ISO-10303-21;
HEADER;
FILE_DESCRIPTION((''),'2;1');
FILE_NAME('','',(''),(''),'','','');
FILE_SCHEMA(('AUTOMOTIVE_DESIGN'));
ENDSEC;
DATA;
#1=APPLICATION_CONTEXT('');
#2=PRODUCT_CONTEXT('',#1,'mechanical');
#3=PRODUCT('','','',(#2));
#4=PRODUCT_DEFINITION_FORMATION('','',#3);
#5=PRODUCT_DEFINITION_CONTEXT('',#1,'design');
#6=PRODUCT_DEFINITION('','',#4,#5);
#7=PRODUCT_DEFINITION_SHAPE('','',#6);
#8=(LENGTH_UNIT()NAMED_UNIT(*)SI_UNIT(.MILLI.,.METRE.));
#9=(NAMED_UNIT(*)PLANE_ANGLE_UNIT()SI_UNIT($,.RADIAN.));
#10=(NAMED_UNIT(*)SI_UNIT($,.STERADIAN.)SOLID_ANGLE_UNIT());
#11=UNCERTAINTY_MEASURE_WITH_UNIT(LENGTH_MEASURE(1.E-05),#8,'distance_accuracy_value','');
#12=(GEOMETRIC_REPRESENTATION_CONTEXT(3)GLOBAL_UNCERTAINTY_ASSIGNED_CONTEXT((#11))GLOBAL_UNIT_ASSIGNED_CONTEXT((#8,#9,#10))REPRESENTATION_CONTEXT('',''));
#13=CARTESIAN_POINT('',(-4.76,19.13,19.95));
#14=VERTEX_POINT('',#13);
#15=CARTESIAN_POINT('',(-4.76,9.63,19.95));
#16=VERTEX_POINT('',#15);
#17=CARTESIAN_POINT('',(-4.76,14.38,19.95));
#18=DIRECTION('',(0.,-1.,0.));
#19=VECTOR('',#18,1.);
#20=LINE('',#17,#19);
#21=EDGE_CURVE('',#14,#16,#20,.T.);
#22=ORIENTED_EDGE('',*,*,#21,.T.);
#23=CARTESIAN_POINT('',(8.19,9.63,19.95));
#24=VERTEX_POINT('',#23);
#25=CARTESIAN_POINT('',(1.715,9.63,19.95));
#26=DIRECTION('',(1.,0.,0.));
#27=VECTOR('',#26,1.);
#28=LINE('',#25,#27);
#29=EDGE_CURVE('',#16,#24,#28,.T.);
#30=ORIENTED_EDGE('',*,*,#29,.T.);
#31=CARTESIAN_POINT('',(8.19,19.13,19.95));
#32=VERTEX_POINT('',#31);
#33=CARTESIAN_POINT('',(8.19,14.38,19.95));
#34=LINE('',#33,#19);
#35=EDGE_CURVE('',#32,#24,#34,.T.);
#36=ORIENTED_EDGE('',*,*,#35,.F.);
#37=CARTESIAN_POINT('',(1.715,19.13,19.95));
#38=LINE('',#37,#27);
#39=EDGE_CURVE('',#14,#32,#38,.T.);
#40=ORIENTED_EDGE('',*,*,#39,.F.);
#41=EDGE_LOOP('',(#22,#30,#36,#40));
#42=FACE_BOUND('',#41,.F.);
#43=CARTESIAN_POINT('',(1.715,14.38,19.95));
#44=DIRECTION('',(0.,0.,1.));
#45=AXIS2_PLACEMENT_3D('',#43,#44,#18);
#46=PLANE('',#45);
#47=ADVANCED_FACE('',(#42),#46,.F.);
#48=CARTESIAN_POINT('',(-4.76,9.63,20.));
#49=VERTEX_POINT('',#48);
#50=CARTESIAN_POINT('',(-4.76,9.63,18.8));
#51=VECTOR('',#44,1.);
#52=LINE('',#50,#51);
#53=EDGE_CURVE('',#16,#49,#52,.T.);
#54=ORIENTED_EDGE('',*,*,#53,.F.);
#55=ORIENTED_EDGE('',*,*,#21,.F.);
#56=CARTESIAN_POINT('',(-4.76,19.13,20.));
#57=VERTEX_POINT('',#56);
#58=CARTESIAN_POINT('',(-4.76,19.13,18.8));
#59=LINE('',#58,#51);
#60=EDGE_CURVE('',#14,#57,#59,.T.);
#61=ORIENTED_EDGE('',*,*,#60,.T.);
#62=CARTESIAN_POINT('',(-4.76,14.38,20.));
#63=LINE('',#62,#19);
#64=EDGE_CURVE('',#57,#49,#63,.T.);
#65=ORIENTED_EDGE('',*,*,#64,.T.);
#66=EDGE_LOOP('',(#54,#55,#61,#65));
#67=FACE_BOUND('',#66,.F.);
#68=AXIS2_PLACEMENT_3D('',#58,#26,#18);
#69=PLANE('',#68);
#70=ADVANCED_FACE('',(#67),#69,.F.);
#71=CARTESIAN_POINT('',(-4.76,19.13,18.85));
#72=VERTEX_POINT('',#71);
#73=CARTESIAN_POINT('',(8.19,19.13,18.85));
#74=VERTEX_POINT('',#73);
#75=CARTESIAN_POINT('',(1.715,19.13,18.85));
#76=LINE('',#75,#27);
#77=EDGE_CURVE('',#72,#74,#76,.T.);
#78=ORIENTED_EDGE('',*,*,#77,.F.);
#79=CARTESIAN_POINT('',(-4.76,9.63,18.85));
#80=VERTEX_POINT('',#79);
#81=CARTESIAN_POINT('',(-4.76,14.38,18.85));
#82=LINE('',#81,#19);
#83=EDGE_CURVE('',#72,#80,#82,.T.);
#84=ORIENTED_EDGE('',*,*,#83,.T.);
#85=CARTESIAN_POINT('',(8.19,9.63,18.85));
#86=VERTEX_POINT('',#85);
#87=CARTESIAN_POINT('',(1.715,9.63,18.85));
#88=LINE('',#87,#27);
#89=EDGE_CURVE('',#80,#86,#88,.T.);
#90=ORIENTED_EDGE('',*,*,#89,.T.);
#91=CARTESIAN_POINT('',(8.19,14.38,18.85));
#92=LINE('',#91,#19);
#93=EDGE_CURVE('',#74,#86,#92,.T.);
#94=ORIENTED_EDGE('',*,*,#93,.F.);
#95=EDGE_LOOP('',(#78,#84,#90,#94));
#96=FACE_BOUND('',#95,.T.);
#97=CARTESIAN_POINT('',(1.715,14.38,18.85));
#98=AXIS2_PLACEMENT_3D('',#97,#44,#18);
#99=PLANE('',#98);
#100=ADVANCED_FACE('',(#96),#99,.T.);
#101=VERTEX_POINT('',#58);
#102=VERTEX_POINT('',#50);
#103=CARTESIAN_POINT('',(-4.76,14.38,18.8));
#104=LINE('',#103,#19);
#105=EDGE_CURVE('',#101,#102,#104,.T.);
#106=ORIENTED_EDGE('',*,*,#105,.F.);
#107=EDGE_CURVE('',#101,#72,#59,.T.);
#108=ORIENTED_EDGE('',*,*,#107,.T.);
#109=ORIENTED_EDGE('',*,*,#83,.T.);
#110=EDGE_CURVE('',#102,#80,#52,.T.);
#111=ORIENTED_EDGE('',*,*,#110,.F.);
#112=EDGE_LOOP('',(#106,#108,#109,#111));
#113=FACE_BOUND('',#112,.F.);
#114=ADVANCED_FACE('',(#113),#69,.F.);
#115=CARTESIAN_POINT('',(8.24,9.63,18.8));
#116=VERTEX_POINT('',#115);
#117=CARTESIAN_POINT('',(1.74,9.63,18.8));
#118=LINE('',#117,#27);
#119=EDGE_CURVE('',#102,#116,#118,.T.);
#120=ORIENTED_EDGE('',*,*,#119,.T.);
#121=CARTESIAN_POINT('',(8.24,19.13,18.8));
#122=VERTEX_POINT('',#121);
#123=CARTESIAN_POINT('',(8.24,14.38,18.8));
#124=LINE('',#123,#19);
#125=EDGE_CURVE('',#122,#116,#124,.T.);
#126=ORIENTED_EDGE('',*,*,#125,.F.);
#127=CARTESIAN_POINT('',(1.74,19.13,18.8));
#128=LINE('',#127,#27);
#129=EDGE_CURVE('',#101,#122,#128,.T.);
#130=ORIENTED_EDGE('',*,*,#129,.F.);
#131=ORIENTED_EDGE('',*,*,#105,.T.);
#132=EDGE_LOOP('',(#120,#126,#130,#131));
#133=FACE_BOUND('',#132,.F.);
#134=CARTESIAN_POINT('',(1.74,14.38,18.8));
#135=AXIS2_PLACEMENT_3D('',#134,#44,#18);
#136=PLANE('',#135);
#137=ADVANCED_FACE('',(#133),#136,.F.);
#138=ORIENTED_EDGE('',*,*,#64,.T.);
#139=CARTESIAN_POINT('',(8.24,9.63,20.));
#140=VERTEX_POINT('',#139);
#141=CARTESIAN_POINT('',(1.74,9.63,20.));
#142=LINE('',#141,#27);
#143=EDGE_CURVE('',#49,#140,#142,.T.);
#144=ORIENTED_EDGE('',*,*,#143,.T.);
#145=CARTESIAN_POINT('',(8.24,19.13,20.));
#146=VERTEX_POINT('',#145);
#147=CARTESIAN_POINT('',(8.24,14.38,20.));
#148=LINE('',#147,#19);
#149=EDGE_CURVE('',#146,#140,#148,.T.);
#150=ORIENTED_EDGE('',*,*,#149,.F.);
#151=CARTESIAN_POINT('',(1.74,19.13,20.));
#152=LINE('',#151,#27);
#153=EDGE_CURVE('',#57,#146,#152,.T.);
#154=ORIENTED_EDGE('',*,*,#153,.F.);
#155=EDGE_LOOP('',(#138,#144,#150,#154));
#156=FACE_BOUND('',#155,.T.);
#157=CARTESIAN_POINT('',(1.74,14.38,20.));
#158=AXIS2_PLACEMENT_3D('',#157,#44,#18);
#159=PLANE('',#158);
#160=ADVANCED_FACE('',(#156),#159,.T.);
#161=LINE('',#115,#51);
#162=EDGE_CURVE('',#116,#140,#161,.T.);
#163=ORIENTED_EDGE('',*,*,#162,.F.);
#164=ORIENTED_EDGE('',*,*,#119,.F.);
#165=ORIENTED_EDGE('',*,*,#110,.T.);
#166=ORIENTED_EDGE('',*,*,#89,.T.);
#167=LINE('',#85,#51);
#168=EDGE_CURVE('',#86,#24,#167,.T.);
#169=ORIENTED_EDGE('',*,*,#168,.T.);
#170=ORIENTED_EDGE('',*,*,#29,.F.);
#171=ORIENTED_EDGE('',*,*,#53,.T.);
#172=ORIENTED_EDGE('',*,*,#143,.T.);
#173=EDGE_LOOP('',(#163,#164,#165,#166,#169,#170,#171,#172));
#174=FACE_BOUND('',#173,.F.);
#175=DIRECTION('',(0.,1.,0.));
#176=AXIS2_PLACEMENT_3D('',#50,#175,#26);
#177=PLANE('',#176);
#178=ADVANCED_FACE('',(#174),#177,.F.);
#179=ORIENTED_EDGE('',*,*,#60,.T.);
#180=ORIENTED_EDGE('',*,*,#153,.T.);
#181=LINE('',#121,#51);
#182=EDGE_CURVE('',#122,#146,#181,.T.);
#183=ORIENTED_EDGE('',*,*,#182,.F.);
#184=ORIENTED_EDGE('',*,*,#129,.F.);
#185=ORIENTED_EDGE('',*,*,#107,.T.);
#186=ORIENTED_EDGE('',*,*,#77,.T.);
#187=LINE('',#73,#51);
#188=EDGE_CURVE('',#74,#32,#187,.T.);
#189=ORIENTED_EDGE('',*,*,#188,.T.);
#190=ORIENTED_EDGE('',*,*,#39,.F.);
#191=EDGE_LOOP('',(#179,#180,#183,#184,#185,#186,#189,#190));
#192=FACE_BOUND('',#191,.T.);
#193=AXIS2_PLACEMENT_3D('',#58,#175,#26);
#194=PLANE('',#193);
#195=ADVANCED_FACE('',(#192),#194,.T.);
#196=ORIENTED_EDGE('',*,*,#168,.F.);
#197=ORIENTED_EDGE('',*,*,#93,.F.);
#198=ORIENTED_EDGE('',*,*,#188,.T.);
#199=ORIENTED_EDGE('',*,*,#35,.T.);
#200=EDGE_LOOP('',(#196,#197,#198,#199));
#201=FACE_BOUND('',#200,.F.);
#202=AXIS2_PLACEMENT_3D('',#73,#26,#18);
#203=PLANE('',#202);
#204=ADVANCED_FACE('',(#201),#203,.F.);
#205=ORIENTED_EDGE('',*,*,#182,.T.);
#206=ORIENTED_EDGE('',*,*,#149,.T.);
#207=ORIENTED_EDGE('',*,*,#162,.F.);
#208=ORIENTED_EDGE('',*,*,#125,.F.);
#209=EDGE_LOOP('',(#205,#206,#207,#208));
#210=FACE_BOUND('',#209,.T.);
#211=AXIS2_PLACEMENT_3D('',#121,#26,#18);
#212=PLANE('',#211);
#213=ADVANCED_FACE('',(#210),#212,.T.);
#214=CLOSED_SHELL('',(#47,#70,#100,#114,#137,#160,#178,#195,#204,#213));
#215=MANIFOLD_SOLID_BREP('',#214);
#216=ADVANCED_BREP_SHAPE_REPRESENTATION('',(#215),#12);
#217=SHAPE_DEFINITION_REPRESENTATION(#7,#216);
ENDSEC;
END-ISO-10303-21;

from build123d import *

# Parameters (mm, degrees)
BOX067_W               = 9.5
BOX067_H               = 12.95
BOX067_DEPTH           = 1.1
BOX066_W               = 9.5
BOX066_H               = 13
BOX066_DEPTH           = 1.2
CUT016_PLACEMENT_ANGLE = 270


with BuildPart() as small_cu_gnd_electrode018:
    # Box067 → Box067 (new body)
    with BuildSketch(Plane.XY.offset(0.05)):
        with Locations((4.75, 6.475)):
            Rectangle(BOX067_W, BOX067_H)
    extrude(amount=BOX067_DEPTH)


with BuildPart() as large_cu_electrode_long_axis_v_x:
    # Box066 → Box066 (new body)
    with BuildSketch(Plane.XY):
        with Locations((4.75, 6.5)):
            Rectangle(BOX066_W, BOX066_H)
    extrude(amount=BOX066_DEPTH)

    # Cut016: cut Small Cu GND Electrode018
    add(small_cu_gnd_electrode018.part, mode=Mode.SUBTRACT)


with BuildPart() as large_cu_electrode_long_axis_v_x_1:
    # Cut016 placement: moved
    add(large_cu_electrode_long_axis_v_x.part.moved(Location((-4.76, 19.13, 18.8))).rotate(Axis((-4.76, 19.13, 18.8), (0, 0, 1)), CUT016_PLACEMENT_ANGLE))


solid = large_cu_electrode_long_axis_v_x_1.part
